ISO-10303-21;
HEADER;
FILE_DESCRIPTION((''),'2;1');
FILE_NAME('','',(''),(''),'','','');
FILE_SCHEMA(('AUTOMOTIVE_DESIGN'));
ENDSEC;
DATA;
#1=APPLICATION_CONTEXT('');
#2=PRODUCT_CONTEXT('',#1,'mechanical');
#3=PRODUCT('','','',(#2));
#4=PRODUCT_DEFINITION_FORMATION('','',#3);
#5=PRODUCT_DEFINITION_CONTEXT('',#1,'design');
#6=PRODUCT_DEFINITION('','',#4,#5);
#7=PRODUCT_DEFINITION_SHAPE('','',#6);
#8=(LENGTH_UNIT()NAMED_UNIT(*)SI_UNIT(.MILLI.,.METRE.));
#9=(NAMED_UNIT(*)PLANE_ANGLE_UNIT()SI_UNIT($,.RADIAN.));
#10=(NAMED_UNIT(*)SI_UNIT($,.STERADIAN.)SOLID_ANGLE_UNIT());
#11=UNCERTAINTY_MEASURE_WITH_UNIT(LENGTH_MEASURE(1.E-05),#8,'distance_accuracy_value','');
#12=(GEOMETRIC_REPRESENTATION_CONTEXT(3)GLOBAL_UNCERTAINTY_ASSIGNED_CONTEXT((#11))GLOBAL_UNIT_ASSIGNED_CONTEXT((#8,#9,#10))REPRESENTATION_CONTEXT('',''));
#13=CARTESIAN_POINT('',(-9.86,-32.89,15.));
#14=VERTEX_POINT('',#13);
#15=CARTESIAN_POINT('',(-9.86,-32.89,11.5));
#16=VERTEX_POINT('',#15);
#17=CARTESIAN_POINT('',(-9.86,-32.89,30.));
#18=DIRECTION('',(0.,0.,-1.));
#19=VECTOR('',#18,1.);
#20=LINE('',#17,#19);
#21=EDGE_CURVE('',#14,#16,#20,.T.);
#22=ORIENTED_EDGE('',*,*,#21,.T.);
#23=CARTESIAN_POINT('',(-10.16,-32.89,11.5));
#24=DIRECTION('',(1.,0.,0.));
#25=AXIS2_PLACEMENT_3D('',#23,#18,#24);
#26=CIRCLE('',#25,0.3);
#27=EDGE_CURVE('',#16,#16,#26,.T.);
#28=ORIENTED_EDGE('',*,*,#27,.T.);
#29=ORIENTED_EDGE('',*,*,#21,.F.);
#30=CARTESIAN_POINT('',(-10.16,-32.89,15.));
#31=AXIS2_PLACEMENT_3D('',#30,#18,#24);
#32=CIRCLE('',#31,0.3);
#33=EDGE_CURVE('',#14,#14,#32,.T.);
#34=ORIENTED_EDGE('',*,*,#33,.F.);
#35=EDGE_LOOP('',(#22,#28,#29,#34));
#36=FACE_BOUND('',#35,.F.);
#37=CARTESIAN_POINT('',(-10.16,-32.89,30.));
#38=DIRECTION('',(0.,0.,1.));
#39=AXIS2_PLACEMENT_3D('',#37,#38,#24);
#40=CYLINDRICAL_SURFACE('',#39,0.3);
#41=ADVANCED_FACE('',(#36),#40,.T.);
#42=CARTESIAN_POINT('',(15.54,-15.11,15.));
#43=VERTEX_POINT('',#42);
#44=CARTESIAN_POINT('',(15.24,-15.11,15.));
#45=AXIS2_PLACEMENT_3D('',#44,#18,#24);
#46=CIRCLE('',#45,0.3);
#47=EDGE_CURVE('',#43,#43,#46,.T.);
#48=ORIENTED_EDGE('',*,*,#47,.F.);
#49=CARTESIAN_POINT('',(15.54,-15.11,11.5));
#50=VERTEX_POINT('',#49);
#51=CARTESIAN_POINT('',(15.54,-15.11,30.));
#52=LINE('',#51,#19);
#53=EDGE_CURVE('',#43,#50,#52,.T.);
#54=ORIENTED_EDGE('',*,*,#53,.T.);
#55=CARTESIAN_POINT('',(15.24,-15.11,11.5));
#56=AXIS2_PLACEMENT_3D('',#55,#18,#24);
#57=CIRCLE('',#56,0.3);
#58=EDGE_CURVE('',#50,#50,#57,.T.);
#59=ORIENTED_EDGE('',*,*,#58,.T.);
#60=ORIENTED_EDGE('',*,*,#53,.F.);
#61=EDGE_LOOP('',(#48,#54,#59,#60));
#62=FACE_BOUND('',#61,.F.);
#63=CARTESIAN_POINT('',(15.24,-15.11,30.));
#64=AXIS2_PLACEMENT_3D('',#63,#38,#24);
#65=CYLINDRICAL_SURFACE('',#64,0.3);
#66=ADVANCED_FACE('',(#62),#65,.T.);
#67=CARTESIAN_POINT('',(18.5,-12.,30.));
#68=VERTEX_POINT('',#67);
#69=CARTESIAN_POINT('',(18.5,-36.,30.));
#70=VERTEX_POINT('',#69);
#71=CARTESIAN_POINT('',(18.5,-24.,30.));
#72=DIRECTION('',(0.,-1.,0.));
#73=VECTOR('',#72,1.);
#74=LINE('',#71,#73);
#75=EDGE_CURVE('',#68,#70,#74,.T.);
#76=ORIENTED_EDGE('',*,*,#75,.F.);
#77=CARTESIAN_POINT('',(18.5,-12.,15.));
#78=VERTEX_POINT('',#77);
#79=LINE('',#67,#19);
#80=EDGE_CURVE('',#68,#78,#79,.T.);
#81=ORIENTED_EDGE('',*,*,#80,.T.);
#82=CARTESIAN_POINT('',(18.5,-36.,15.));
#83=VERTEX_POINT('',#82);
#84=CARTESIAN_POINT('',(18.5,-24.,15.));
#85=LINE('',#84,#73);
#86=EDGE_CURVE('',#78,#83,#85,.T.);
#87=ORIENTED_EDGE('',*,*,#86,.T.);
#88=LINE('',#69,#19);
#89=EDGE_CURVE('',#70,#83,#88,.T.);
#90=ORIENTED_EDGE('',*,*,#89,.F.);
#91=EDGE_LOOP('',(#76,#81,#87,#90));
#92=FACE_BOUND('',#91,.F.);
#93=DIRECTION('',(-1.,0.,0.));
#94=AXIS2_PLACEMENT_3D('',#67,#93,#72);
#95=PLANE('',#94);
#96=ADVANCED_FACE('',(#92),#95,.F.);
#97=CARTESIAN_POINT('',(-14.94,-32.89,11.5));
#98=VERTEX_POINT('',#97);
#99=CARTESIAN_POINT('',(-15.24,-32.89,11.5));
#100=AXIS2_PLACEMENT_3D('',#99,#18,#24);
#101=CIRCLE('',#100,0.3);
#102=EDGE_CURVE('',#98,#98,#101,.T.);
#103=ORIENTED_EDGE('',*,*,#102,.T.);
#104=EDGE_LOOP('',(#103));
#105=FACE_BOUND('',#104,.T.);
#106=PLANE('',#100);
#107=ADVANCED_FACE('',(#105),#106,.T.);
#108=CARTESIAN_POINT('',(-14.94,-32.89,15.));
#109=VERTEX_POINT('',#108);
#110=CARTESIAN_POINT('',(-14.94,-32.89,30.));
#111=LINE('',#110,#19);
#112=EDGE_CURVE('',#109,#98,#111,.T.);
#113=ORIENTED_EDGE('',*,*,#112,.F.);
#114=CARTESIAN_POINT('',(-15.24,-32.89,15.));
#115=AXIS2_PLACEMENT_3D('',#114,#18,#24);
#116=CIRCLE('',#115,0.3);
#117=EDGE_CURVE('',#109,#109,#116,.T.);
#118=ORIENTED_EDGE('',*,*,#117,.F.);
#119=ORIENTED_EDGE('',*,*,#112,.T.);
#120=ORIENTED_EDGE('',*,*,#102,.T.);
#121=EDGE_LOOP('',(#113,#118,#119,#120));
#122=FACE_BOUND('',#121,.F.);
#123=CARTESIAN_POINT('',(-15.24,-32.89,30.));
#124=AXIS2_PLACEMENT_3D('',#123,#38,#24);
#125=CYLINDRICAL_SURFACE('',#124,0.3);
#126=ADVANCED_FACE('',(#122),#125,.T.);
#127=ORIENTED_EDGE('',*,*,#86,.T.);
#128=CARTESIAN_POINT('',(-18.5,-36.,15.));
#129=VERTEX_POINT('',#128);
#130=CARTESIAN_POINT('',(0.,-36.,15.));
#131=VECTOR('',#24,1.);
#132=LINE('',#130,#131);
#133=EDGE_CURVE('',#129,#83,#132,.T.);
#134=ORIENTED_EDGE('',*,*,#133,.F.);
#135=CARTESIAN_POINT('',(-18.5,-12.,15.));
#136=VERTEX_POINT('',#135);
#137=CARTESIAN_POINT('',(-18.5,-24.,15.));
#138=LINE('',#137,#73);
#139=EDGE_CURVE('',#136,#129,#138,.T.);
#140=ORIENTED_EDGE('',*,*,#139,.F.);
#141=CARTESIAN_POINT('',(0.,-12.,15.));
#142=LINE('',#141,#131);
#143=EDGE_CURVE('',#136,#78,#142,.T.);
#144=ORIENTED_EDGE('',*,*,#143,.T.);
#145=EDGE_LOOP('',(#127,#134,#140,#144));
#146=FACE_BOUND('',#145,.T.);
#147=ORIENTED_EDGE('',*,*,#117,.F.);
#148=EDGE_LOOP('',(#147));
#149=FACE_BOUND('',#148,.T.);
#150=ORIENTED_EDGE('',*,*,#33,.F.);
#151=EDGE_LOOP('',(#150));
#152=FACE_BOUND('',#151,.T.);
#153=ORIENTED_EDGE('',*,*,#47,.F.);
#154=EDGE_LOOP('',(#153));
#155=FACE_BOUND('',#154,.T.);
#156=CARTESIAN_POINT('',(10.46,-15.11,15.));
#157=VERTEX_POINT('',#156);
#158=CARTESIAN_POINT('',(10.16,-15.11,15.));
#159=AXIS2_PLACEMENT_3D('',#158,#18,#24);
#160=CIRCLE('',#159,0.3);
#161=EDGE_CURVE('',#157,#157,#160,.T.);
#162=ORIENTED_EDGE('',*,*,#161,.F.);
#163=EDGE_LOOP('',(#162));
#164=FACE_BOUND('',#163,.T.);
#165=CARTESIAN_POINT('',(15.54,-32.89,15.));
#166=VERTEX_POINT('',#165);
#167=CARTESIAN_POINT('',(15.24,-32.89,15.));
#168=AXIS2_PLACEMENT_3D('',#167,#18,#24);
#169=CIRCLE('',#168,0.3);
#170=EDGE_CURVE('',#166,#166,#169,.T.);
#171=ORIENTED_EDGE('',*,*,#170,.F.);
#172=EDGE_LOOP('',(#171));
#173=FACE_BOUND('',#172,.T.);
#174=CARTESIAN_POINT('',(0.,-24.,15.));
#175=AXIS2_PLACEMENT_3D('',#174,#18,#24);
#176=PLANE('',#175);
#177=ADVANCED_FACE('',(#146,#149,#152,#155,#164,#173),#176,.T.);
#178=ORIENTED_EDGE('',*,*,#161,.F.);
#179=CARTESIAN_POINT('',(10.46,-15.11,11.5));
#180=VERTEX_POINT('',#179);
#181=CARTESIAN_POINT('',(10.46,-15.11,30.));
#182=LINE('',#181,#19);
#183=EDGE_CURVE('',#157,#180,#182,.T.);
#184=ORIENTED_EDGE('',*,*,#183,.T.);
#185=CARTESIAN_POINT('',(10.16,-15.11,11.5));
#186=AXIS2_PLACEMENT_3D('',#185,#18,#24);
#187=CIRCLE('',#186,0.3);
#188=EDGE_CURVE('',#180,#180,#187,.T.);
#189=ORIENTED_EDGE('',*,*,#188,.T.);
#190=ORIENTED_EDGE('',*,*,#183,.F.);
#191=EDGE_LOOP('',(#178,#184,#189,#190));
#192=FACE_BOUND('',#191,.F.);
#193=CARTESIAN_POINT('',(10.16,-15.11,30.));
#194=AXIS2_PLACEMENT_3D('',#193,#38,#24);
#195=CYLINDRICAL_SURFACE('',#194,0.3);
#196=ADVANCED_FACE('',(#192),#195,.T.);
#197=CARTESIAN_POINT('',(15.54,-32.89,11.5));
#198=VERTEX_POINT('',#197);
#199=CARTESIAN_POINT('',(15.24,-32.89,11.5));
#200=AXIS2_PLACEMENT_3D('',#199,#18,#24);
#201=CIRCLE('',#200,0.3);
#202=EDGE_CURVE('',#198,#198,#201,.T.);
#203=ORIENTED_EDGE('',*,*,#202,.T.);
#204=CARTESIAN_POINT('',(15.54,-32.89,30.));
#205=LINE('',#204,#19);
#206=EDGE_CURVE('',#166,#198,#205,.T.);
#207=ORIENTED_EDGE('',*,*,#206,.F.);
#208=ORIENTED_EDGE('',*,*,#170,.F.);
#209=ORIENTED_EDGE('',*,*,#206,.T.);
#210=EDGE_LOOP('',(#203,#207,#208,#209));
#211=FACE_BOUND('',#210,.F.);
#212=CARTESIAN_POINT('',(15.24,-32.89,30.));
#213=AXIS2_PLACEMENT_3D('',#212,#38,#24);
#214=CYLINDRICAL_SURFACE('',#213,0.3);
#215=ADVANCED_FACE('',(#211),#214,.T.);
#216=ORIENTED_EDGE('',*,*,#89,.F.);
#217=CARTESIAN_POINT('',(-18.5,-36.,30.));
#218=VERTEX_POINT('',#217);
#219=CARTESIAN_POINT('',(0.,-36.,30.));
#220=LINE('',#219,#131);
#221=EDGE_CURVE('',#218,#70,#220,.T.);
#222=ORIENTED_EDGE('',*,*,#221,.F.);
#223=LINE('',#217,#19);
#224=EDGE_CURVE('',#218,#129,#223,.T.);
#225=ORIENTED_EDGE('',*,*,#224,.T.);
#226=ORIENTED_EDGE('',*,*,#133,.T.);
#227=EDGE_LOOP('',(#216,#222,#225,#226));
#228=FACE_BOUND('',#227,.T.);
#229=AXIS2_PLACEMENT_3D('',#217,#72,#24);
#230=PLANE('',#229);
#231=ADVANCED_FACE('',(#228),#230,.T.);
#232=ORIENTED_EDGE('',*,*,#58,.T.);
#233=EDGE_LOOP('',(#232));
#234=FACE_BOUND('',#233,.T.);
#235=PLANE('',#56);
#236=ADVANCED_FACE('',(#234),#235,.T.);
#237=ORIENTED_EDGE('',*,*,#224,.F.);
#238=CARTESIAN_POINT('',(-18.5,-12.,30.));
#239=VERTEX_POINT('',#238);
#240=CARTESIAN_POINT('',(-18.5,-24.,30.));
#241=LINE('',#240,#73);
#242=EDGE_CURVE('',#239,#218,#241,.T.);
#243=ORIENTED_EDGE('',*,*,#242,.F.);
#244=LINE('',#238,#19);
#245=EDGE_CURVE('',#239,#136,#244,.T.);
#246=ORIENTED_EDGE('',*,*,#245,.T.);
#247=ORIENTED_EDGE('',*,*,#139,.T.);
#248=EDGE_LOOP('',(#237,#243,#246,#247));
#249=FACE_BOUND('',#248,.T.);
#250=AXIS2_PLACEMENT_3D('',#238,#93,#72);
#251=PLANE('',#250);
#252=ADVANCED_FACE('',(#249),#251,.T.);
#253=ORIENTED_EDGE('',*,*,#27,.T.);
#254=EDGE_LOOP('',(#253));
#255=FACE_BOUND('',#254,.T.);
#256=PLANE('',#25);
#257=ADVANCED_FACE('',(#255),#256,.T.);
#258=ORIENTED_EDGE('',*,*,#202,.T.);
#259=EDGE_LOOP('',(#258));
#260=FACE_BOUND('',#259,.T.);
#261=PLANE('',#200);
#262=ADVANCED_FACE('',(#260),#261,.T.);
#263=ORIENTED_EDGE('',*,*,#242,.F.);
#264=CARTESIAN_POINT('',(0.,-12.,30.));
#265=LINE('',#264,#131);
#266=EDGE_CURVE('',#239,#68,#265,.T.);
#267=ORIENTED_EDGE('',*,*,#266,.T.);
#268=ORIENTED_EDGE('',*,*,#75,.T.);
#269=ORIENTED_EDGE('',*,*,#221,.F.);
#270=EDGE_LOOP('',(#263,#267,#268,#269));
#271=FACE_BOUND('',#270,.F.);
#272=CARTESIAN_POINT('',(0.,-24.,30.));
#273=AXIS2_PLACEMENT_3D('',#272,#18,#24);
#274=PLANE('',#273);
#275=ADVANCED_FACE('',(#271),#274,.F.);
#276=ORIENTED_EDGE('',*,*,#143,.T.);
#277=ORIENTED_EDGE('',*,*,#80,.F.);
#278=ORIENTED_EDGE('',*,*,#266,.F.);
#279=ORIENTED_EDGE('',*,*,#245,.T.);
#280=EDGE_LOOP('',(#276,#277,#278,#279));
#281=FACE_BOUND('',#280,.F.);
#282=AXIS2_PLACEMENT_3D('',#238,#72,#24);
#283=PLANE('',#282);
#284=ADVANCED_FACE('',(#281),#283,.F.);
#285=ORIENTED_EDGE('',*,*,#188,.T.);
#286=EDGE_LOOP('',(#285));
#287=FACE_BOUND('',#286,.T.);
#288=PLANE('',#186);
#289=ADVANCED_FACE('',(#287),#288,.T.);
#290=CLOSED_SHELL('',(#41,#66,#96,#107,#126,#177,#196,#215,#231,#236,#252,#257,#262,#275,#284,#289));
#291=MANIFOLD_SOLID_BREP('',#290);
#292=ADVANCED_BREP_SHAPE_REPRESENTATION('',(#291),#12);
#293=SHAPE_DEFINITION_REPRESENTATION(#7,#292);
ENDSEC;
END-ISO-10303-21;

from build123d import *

# Parameters (mm, degrees)
F0_W     = 37
F0_H     = 24
F0_R     = 0.3
F1_DEPTH = 15
F2_DEPTH = 18.5
F3_ANGLE = 180


with BuildPart() as f1:
    # F0 (on Top) → F1 (new body)
    with BuildSketch(Plane.XY):
        Rectangle(F0_W, F0_H)
        with Locations((10.16, -8.89)):
            Circle(F0_R, mode=Mode.SUBTRACT)
        with Locations((15.24, -8.89)):
            Circle(F0_R, mode=Mode.SUBTRACT)
        with Locations((-15.24, 8.89)):
            Circle(F0_R, mode=Mode.SUBTRACT)
        with Locations((-10.16, 8.89)):
            Circle(F0_R, mode=Mode.SUBTRACT)
        with Locations((15.24, 8.89)):
            Circle(F0_R, mode=Mode.SUBTRACT)
    extrude(amount=F1_DEPTH)

    # F0 (on Top) → F2 (join)
    with BuildSketch(Plane.XY):
        with Locations((15.24, 8.89)):
            Circle(F0_R)
        with Locations((-10.16, 8.89)):
            Circle(F0_R)
        with Locations((-15.24, 8.89)):
            Circle(F0_R)
        with Locations((15.24, -8.89)):
            Circle(F0_R)
        with Locations((10.16, -8.89)):
            Circle(F0_R)
    extrude(amount=F2_DEPTH)


with BuildPart() as f1_1:
    # F3: moved
    add(f1.part.rotate(Axis((0, -12, 15), (1, 0, 0)), F3_ANGLE))


solid = f1_1.part
